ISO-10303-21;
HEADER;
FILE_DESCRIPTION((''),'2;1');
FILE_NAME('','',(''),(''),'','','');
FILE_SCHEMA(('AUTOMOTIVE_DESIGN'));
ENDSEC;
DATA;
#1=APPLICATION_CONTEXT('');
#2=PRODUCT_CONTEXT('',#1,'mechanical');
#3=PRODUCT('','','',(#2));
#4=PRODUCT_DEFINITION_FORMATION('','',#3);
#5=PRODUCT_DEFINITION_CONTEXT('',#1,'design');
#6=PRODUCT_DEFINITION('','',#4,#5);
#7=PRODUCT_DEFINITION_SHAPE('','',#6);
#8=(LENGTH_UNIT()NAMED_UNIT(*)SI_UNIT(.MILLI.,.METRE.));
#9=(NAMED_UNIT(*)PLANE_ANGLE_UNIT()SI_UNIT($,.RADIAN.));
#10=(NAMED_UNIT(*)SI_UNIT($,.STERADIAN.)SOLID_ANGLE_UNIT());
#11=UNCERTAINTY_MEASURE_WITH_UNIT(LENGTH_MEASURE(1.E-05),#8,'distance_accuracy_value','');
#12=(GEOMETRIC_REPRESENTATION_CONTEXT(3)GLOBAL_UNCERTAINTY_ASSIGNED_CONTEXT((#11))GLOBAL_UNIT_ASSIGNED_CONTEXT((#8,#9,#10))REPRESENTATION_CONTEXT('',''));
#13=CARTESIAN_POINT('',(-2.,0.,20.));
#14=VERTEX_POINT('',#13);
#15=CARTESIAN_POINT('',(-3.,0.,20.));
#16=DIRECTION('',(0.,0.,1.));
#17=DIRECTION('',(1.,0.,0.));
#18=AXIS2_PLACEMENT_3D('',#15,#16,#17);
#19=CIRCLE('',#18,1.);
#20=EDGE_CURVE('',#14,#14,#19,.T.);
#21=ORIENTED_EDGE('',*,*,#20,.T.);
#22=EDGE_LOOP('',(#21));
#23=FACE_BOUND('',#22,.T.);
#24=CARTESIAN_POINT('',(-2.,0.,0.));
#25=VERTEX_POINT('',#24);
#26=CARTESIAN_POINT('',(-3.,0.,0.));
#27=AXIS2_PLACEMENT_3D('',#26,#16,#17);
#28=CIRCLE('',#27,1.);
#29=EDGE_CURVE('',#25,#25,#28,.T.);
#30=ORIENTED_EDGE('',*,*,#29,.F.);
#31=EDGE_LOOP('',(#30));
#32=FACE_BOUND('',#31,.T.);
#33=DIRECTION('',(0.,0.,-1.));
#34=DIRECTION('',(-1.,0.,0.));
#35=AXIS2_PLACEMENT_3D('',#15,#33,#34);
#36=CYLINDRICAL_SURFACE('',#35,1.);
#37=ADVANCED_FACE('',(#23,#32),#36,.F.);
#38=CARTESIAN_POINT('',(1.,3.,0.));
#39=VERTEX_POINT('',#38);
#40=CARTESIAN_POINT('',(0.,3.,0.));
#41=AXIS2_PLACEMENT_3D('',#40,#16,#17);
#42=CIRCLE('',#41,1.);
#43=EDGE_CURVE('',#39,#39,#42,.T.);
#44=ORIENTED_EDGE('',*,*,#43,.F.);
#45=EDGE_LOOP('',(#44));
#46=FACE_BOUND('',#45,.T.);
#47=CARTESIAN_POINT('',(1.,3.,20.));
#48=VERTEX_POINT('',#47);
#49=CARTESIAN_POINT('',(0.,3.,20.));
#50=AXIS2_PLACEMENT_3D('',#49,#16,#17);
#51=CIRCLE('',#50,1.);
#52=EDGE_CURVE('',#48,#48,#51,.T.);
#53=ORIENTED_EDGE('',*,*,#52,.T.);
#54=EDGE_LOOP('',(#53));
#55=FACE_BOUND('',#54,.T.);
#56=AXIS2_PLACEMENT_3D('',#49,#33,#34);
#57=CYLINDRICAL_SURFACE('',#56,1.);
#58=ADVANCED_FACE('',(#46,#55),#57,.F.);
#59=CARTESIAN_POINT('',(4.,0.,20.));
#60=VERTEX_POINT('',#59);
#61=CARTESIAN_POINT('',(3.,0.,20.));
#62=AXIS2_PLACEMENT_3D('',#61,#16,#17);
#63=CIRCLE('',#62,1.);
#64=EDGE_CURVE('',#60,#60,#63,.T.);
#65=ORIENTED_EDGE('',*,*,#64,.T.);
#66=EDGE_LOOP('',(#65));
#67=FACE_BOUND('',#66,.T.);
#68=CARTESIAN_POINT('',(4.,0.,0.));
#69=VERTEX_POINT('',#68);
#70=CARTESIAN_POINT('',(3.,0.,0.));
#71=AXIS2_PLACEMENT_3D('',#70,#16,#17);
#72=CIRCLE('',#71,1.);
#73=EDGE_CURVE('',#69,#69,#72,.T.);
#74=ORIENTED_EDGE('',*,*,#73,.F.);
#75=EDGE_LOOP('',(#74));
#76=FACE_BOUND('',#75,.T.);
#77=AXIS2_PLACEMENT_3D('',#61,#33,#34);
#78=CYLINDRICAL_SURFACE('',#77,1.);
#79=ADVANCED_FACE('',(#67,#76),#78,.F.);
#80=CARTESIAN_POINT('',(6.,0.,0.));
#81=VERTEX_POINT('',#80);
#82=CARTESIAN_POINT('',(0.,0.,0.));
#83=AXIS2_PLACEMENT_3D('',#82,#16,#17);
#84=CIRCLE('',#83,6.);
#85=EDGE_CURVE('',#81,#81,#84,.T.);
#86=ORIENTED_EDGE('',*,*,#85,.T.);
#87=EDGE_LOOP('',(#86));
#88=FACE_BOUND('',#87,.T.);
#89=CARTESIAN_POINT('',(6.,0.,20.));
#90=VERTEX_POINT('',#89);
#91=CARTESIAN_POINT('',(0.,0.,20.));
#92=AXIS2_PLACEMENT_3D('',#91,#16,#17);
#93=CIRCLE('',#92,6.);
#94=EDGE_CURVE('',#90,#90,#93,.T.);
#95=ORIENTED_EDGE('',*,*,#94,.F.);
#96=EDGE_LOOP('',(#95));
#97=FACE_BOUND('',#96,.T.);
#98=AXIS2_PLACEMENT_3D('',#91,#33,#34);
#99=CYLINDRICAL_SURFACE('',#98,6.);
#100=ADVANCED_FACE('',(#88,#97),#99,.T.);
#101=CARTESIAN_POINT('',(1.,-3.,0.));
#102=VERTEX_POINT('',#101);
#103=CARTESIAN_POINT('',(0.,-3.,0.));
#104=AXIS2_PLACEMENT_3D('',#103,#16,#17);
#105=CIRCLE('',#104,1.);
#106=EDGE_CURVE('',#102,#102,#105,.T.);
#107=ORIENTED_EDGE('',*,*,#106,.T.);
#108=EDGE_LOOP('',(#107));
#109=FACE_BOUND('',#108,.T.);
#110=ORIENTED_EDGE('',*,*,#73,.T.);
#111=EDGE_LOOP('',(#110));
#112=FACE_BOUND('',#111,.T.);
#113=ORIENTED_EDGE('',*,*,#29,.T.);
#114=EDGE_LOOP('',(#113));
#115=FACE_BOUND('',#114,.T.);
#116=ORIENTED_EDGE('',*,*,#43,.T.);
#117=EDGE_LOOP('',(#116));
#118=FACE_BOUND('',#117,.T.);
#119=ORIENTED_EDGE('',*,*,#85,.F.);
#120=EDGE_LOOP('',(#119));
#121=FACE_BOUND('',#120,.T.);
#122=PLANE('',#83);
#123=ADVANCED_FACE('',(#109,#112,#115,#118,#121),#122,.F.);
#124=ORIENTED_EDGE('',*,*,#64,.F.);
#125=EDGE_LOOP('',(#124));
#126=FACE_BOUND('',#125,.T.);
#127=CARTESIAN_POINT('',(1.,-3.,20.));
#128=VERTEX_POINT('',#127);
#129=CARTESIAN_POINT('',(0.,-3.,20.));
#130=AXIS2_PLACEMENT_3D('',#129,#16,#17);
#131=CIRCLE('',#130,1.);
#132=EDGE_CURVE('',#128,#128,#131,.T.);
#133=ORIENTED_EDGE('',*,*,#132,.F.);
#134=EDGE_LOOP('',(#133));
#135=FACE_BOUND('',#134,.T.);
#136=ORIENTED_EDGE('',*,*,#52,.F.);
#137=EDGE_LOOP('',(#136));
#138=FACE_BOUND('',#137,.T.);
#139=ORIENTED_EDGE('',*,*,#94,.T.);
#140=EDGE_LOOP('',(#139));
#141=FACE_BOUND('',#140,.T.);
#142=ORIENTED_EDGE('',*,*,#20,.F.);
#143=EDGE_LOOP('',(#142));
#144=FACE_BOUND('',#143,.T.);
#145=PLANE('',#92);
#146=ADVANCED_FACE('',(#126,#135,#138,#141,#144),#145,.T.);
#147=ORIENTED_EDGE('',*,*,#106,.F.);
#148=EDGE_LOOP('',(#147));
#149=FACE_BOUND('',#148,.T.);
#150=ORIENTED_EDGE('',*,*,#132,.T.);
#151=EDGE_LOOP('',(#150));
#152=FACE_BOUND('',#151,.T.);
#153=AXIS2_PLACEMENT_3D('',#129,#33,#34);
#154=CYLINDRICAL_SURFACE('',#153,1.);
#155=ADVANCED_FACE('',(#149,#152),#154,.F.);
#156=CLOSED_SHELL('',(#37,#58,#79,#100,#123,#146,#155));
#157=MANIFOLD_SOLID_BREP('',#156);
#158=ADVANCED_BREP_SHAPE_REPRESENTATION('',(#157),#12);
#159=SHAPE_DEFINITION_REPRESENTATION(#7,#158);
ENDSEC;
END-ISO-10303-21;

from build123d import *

# Parameters (mm, degrees)
SKETCH_1_R      = 6
SKETCH_1_R_2    = 1
EXTRUDE_1_DEPTH = 20


with BuildPart() as part:
    # ｽｹｯﾁ1 → ﾎﾞｽ - 押し出し1 (new body)
    with BuildSketch(Plane.XY):
        Circle(SKETCH_1_R)
        with Locations((0, 3)):
            Circle(SKETCH_1_R_2, mode=Mode.SUBTRACT)
        with Locations((3, 0)):
            Circle(SKETCH_1_R_2, mode=Mode.SUBTRACT)
        with Locations((0, -3)):
            Circle(SKETCH_1_R_2, mode=Mode.SUBTRACT)
        with Locations((-3, 0)):
            Circle(SKETCH_1_R_2, mode=Mode.SUBTRACT)
    extrude(amount=EXTRUDE_1_DEPTH)


solid = part.part
